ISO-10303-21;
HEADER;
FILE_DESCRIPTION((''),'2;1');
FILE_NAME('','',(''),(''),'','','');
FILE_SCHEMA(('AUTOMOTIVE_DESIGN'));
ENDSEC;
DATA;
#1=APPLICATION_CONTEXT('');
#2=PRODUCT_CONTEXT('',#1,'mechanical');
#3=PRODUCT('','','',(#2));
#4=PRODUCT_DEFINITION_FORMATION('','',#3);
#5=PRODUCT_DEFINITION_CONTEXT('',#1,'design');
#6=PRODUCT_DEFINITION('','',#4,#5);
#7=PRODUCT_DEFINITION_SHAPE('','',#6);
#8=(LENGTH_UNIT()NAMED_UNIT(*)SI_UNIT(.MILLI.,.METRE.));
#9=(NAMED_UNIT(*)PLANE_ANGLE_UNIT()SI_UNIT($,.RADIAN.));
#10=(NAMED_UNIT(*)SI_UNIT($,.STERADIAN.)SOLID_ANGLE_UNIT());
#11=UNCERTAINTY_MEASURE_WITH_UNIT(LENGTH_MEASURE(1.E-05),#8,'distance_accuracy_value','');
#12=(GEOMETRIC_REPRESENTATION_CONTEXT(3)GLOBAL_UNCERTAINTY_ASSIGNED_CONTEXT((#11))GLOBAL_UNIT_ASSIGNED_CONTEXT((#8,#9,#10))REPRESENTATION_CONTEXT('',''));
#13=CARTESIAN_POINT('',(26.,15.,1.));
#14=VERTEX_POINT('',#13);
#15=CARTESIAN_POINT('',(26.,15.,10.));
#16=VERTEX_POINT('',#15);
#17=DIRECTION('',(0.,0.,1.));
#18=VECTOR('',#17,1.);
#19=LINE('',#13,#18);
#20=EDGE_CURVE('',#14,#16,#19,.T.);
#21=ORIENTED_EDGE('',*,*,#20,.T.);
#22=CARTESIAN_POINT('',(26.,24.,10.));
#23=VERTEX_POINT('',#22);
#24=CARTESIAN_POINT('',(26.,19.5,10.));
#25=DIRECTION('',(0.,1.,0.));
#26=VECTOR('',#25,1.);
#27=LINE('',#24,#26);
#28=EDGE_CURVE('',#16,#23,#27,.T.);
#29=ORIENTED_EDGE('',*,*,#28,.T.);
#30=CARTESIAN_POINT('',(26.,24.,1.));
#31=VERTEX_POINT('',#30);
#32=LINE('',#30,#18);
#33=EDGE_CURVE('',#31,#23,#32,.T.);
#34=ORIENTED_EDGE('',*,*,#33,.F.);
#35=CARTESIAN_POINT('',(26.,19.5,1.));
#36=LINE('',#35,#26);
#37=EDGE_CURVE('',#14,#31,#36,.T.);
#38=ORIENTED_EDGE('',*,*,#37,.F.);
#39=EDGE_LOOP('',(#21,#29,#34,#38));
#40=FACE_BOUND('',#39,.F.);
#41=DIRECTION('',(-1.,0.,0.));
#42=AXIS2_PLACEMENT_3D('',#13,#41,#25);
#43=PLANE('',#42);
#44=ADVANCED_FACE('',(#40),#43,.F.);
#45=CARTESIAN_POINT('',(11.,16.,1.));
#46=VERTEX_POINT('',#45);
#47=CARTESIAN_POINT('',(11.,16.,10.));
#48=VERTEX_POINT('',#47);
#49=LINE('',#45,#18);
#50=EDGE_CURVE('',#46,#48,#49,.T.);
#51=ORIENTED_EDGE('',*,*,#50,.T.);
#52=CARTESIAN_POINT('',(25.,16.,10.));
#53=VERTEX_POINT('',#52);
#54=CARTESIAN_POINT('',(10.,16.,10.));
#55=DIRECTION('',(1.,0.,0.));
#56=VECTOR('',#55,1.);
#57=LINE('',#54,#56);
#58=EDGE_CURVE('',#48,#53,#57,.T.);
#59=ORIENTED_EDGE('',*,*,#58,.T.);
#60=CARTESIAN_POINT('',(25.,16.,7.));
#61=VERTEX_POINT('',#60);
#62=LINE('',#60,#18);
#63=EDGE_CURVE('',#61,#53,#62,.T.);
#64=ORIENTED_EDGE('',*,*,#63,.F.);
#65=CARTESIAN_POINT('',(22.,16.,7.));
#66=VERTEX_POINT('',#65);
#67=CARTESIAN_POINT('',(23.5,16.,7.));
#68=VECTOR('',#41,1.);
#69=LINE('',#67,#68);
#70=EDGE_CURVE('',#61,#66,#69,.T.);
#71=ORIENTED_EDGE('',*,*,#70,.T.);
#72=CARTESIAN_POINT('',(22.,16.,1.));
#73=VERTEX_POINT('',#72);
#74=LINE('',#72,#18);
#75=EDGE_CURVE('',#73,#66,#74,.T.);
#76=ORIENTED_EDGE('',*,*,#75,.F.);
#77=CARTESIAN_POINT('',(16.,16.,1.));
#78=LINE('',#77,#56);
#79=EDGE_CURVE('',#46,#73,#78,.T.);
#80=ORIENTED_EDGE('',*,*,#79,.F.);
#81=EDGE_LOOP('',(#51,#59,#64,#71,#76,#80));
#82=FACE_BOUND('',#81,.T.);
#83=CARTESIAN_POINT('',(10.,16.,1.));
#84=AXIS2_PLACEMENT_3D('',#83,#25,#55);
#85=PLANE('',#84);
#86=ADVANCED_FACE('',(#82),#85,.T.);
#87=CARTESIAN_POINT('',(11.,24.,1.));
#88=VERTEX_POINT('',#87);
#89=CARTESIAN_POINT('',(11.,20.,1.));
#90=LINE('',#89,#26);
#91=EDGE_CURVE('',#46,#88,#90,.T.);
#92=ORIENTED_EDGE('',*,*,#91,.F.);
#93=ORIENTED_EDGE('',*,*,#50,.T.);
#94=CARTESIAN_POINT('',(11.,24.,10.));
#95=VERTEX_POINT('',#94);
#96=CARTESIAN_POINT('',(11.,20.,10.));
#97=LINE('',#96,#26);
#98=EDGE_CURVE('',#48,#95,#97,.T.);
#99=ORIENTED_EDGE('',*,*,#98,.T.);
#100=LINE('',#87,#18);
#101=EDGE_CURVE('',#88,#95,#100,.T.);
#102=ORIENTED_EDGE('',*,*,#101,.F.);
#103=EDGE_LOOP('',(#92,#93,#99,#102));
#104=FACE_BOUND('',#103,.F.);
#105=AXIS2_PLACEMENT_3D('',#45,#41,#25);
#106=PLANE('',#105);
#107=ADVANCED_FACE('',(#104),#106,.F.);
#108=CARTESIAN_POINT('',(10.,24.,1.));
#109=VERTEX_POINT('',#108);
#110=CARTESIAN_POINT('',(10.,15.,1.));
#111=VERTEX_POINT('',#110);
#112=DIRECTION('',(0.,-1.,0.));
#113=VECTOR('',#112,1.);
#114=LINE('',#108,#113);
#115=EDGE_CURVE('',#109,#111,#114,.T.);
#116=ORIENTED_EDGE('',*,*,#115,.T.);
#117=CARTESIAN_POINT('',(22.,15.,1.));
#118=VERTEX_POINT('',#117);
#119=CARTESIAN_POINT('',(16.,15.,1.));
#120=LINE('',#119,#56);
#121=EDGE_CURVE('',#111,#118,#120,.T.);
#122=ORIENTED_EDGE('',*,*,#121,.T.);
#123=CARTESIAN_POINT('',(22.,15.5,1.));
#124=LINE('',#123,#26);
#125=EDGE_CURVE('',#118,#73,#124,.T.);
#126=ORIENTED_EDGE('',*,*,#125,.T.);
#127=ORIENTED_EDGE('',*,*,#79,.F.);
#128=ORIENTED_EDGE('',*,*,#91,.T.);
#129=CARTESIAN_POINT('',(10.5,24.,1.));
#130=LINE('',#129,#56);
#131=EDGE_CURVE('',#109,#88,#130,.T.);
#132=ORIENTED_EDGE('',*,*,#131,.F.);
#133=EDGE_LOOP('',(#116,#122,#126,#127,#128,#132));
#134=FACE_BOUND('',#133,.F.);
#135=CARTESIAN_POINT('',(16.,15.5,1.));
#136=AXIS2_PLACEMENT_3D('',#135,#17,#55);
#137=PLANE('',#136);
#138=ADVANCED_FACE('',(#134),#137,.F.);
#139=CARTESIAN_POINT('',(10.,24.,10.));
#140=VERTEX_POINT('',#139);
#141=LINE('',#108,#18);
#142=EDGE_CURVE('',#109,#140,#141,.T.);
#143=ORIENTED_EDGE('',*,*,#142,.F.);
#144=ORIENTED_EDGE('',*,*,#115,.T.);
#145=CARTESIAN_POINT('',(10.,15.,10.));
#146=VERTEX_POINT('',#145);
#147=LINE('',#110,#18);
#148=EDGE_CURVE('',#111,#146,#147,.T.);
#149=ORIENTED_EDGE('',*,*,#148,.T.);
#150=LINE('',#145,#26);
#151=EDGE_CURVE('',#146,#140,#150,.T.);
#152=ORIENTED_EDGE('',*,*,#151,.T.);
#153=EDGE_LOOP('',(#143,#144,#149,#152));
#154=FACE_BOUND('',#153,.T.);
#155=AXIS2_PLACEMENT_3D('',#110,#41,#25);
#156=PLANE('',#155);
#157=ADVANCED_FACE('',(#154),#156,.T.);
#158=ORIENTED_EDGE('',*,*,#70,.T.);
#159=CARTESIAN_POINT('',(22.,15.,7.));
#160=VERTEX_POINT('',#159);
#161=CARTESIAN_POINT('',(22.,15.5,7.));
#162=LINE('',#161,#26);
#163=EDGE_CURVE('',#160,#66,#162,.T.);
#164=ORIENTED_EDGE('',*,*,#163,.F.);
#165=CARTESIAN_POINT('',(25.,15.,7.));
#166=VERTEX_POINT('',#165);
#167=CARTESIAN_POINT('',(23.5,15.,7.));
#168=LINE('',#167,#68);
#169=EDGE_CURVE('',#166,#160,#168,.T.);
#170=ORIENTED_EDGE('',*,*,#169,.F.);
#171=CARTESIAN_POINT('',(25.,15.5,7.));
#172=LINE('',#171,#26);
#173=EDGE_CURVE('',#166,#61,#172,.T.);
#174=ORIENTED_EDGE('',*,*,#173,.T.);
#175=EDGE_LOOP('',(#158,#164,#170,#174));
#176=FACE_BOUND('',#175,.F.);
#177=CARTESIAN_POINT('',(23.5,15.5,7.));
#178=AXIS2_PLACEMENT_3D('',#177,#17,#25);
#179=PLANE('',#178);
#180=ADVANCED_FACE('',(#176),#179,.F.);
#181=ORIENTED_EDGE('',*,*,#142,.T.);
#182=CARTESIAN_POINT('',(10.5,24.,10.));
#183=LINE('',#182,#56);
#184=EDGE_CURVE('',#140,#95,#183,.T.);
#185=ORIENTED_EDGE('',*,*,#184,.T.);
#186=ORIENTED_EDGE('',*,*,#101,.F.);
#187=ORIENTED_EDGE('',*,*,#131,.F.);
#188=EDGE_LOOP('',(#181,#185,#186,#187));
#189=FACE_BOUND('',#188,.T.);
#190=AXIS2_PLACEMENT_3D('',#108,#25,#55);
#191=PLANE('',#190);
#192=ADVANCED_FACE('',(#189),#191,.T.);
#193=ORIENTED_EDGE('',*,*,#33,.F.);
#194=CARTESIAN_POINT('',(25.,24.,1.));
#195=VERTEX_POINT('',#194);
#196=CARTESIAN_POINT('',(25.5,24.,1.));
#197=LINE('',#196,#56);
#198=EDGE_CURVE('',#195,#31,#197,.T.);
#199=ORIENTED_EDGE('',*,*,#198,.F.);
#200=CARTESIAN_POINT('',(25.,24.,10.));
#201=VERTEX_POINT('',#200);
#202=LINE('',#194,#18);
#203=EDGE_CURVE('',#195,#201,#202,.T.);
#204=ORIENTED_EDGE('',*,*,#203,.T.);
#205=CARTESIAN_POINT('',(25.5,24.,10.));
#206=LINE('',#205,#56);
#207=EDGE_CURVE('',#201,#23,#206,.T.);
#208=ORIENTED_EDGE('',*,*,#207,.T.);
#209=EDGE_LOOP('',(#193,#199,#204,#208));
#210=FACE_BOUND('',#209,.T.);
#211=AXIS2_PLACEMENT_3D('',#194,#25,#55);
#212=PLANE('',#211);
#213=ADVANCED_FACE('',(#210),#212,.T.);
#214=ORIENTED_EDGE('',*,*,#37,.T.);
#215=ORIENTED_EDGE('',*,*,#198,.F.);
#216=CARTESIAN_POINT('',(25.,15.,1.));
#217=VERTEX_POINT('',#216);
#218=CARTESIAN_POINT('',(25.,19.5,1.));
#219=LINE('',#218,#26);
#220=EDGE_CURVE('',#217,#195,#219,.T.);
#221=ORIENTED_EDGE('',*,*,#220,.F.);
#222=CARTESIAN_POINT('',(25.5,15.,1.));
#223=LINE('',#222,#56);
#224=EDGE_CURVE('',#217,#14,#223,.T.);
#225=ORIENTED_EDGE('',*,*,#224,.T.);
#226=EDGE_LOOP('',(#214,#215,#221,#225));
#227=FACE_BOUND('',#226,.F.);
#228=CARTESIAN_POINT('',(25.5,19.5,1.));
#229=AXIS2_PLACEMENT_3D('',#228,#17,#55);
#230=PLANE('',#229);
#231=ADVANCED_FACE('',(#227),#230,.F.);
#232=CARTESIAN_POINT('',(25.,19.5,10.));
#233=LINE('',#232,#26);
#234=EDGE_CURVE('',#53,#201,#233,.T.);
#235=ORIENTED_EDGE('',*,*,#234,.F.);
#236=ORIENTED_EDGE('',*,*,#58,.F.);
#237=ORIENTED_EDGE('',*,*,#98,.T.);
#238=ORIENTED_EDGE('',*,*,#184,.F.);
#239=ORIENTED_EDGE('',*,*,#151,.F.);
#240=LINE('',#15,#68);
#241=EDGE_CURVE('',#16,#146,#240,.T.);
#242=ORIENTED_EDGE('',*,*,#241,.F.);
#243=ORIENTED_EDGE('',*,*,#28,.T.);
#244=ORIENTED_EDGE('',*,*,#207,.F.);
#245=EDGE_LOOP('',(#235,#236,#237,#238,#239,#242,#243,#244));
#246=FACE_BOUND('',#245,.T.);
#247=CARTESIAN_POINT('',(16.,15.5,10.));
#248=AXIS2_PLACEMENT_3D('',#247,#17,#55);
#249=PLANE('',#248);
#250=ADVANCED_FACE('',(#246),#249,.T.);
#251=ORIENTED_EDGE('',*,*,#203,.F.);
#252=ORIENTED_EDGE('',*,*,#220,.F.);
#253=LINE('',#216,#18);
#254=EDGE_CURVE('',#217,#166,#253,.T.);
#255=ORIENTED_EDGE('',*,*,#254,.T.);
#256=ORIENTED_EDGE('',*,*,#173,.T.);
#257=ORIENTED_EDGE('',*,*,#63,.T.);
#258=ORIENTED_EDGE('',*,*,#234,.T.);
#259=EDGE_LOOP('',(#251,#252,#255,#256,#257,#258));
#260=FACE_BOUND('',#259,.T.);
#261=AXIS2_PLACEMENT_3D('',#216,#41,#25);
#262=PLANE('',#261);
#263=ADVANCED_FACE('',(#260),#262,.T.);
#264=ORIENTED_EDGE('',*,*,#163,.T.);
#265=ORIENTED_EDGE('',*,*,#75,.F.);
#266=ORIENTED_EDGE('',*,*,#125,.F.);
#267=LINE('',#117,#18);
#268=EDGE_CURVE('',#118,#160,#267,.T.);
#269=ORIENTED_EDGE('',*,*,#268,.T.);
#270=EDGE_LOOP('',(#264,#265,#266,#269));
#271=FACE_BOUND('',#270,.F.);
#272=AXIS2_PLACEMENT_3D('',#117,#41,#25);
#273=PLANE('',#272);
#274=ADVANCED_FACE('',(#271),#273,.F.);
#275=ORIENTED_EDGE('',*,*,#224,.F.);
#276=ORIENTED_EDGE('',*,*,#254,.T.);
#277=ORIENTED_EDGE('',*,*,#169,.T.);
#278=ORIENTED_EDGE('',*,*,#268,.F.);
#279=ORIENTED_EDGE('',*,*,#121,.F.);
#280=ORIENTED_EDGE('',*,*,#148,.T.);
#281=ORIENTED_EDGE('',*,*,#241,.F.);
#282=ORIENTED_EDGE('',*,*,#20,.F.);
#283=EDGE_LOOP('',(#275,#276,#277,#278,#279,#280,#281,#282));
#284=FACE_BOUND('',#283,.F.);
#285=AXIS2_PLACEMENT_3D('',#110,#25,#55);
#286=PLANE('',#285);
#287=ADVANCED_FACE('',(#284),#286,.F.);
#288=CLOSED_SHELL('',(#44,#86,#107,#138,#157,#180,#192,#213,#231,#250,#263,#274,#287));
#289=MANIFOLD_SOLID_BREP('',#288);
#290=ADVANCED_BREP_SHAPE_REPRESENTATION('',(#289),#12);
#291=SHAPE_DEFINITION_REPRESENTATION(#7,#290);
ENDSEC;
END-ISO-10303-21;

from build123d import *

# Parameters (mm, degrees)
BOX002_W     = 1
BOX002_H     = 9
BOX002_DEPTH = 9
BOX003_W     = 12
BOX003_H     = 1
BOX003_DEPTH = 9
BOX004_W     = 1
BOX004_H     = 3
BOX004_DEPTH = 3
BOX099_W     = 1
BOX099_H     = 8
BOX099_DEPTH = 9


with BuildPart() as box002:
    # Box002 → Box002 (new body)
    with BuildSketch(Plane(origin=(16, 15, 1), x_dir=(1, 0, 0), z_dir=(0, 0, 1))):
        with Locations((0.5, 4.5)):
            Rectangle(BOX002_W, BOX002_H)
    extrude(amount=BOX002_DEPTH)


with BuildPart() as box003:
    # Box003 → Box003 (new body)
    with BuildSketch(Plane(origin=(1, 15, 1), x_dir=(1, 0, 0), z_dir=(0, 0, 1))):
        with Locations((6, 0.5)):
            Rectangle(BOX003_W, BOX003_H)
    extrude(amount=BOX003_DEPTH)


with BuildPart() as fusion030:
    # Box004 → Box004 (new body)
    with BuildSketch(Plane(origin=(16, 15, 7), x_dir=(0, 1, 0), z_dir=(0, 0, 1))):
        with Locations((0.5, 1.5)):
            Rectangle(BOX004_W, BOX004_H)
    extrude(amount=BOX004_DEPTH)

    # Fusion030: union Box002, Box003
    add(box002.part)
    add(box003.part)


with BuildPart() as fusion030_1:
    # Fusion030 placement: moved
    add(fusion030.part.moved(Location((9, 0, 0))))


with BuildPart() as fusion039:
    # Box099 → Box099 (new body)
    with BuildSketch(Plane(origin=(10, 16, 1), x_dir=(1, 0, 0), z_dir=(0, 0, 1))):
        with Locations((0.5, 4)):
            Rectangle(BOX099_W, BOX099_H)
    extrude(amount=BOX099_DEPTH)

    # Fusion039: union Fusion030
    add(fusion030_1.part)


solid = fusion039.part
